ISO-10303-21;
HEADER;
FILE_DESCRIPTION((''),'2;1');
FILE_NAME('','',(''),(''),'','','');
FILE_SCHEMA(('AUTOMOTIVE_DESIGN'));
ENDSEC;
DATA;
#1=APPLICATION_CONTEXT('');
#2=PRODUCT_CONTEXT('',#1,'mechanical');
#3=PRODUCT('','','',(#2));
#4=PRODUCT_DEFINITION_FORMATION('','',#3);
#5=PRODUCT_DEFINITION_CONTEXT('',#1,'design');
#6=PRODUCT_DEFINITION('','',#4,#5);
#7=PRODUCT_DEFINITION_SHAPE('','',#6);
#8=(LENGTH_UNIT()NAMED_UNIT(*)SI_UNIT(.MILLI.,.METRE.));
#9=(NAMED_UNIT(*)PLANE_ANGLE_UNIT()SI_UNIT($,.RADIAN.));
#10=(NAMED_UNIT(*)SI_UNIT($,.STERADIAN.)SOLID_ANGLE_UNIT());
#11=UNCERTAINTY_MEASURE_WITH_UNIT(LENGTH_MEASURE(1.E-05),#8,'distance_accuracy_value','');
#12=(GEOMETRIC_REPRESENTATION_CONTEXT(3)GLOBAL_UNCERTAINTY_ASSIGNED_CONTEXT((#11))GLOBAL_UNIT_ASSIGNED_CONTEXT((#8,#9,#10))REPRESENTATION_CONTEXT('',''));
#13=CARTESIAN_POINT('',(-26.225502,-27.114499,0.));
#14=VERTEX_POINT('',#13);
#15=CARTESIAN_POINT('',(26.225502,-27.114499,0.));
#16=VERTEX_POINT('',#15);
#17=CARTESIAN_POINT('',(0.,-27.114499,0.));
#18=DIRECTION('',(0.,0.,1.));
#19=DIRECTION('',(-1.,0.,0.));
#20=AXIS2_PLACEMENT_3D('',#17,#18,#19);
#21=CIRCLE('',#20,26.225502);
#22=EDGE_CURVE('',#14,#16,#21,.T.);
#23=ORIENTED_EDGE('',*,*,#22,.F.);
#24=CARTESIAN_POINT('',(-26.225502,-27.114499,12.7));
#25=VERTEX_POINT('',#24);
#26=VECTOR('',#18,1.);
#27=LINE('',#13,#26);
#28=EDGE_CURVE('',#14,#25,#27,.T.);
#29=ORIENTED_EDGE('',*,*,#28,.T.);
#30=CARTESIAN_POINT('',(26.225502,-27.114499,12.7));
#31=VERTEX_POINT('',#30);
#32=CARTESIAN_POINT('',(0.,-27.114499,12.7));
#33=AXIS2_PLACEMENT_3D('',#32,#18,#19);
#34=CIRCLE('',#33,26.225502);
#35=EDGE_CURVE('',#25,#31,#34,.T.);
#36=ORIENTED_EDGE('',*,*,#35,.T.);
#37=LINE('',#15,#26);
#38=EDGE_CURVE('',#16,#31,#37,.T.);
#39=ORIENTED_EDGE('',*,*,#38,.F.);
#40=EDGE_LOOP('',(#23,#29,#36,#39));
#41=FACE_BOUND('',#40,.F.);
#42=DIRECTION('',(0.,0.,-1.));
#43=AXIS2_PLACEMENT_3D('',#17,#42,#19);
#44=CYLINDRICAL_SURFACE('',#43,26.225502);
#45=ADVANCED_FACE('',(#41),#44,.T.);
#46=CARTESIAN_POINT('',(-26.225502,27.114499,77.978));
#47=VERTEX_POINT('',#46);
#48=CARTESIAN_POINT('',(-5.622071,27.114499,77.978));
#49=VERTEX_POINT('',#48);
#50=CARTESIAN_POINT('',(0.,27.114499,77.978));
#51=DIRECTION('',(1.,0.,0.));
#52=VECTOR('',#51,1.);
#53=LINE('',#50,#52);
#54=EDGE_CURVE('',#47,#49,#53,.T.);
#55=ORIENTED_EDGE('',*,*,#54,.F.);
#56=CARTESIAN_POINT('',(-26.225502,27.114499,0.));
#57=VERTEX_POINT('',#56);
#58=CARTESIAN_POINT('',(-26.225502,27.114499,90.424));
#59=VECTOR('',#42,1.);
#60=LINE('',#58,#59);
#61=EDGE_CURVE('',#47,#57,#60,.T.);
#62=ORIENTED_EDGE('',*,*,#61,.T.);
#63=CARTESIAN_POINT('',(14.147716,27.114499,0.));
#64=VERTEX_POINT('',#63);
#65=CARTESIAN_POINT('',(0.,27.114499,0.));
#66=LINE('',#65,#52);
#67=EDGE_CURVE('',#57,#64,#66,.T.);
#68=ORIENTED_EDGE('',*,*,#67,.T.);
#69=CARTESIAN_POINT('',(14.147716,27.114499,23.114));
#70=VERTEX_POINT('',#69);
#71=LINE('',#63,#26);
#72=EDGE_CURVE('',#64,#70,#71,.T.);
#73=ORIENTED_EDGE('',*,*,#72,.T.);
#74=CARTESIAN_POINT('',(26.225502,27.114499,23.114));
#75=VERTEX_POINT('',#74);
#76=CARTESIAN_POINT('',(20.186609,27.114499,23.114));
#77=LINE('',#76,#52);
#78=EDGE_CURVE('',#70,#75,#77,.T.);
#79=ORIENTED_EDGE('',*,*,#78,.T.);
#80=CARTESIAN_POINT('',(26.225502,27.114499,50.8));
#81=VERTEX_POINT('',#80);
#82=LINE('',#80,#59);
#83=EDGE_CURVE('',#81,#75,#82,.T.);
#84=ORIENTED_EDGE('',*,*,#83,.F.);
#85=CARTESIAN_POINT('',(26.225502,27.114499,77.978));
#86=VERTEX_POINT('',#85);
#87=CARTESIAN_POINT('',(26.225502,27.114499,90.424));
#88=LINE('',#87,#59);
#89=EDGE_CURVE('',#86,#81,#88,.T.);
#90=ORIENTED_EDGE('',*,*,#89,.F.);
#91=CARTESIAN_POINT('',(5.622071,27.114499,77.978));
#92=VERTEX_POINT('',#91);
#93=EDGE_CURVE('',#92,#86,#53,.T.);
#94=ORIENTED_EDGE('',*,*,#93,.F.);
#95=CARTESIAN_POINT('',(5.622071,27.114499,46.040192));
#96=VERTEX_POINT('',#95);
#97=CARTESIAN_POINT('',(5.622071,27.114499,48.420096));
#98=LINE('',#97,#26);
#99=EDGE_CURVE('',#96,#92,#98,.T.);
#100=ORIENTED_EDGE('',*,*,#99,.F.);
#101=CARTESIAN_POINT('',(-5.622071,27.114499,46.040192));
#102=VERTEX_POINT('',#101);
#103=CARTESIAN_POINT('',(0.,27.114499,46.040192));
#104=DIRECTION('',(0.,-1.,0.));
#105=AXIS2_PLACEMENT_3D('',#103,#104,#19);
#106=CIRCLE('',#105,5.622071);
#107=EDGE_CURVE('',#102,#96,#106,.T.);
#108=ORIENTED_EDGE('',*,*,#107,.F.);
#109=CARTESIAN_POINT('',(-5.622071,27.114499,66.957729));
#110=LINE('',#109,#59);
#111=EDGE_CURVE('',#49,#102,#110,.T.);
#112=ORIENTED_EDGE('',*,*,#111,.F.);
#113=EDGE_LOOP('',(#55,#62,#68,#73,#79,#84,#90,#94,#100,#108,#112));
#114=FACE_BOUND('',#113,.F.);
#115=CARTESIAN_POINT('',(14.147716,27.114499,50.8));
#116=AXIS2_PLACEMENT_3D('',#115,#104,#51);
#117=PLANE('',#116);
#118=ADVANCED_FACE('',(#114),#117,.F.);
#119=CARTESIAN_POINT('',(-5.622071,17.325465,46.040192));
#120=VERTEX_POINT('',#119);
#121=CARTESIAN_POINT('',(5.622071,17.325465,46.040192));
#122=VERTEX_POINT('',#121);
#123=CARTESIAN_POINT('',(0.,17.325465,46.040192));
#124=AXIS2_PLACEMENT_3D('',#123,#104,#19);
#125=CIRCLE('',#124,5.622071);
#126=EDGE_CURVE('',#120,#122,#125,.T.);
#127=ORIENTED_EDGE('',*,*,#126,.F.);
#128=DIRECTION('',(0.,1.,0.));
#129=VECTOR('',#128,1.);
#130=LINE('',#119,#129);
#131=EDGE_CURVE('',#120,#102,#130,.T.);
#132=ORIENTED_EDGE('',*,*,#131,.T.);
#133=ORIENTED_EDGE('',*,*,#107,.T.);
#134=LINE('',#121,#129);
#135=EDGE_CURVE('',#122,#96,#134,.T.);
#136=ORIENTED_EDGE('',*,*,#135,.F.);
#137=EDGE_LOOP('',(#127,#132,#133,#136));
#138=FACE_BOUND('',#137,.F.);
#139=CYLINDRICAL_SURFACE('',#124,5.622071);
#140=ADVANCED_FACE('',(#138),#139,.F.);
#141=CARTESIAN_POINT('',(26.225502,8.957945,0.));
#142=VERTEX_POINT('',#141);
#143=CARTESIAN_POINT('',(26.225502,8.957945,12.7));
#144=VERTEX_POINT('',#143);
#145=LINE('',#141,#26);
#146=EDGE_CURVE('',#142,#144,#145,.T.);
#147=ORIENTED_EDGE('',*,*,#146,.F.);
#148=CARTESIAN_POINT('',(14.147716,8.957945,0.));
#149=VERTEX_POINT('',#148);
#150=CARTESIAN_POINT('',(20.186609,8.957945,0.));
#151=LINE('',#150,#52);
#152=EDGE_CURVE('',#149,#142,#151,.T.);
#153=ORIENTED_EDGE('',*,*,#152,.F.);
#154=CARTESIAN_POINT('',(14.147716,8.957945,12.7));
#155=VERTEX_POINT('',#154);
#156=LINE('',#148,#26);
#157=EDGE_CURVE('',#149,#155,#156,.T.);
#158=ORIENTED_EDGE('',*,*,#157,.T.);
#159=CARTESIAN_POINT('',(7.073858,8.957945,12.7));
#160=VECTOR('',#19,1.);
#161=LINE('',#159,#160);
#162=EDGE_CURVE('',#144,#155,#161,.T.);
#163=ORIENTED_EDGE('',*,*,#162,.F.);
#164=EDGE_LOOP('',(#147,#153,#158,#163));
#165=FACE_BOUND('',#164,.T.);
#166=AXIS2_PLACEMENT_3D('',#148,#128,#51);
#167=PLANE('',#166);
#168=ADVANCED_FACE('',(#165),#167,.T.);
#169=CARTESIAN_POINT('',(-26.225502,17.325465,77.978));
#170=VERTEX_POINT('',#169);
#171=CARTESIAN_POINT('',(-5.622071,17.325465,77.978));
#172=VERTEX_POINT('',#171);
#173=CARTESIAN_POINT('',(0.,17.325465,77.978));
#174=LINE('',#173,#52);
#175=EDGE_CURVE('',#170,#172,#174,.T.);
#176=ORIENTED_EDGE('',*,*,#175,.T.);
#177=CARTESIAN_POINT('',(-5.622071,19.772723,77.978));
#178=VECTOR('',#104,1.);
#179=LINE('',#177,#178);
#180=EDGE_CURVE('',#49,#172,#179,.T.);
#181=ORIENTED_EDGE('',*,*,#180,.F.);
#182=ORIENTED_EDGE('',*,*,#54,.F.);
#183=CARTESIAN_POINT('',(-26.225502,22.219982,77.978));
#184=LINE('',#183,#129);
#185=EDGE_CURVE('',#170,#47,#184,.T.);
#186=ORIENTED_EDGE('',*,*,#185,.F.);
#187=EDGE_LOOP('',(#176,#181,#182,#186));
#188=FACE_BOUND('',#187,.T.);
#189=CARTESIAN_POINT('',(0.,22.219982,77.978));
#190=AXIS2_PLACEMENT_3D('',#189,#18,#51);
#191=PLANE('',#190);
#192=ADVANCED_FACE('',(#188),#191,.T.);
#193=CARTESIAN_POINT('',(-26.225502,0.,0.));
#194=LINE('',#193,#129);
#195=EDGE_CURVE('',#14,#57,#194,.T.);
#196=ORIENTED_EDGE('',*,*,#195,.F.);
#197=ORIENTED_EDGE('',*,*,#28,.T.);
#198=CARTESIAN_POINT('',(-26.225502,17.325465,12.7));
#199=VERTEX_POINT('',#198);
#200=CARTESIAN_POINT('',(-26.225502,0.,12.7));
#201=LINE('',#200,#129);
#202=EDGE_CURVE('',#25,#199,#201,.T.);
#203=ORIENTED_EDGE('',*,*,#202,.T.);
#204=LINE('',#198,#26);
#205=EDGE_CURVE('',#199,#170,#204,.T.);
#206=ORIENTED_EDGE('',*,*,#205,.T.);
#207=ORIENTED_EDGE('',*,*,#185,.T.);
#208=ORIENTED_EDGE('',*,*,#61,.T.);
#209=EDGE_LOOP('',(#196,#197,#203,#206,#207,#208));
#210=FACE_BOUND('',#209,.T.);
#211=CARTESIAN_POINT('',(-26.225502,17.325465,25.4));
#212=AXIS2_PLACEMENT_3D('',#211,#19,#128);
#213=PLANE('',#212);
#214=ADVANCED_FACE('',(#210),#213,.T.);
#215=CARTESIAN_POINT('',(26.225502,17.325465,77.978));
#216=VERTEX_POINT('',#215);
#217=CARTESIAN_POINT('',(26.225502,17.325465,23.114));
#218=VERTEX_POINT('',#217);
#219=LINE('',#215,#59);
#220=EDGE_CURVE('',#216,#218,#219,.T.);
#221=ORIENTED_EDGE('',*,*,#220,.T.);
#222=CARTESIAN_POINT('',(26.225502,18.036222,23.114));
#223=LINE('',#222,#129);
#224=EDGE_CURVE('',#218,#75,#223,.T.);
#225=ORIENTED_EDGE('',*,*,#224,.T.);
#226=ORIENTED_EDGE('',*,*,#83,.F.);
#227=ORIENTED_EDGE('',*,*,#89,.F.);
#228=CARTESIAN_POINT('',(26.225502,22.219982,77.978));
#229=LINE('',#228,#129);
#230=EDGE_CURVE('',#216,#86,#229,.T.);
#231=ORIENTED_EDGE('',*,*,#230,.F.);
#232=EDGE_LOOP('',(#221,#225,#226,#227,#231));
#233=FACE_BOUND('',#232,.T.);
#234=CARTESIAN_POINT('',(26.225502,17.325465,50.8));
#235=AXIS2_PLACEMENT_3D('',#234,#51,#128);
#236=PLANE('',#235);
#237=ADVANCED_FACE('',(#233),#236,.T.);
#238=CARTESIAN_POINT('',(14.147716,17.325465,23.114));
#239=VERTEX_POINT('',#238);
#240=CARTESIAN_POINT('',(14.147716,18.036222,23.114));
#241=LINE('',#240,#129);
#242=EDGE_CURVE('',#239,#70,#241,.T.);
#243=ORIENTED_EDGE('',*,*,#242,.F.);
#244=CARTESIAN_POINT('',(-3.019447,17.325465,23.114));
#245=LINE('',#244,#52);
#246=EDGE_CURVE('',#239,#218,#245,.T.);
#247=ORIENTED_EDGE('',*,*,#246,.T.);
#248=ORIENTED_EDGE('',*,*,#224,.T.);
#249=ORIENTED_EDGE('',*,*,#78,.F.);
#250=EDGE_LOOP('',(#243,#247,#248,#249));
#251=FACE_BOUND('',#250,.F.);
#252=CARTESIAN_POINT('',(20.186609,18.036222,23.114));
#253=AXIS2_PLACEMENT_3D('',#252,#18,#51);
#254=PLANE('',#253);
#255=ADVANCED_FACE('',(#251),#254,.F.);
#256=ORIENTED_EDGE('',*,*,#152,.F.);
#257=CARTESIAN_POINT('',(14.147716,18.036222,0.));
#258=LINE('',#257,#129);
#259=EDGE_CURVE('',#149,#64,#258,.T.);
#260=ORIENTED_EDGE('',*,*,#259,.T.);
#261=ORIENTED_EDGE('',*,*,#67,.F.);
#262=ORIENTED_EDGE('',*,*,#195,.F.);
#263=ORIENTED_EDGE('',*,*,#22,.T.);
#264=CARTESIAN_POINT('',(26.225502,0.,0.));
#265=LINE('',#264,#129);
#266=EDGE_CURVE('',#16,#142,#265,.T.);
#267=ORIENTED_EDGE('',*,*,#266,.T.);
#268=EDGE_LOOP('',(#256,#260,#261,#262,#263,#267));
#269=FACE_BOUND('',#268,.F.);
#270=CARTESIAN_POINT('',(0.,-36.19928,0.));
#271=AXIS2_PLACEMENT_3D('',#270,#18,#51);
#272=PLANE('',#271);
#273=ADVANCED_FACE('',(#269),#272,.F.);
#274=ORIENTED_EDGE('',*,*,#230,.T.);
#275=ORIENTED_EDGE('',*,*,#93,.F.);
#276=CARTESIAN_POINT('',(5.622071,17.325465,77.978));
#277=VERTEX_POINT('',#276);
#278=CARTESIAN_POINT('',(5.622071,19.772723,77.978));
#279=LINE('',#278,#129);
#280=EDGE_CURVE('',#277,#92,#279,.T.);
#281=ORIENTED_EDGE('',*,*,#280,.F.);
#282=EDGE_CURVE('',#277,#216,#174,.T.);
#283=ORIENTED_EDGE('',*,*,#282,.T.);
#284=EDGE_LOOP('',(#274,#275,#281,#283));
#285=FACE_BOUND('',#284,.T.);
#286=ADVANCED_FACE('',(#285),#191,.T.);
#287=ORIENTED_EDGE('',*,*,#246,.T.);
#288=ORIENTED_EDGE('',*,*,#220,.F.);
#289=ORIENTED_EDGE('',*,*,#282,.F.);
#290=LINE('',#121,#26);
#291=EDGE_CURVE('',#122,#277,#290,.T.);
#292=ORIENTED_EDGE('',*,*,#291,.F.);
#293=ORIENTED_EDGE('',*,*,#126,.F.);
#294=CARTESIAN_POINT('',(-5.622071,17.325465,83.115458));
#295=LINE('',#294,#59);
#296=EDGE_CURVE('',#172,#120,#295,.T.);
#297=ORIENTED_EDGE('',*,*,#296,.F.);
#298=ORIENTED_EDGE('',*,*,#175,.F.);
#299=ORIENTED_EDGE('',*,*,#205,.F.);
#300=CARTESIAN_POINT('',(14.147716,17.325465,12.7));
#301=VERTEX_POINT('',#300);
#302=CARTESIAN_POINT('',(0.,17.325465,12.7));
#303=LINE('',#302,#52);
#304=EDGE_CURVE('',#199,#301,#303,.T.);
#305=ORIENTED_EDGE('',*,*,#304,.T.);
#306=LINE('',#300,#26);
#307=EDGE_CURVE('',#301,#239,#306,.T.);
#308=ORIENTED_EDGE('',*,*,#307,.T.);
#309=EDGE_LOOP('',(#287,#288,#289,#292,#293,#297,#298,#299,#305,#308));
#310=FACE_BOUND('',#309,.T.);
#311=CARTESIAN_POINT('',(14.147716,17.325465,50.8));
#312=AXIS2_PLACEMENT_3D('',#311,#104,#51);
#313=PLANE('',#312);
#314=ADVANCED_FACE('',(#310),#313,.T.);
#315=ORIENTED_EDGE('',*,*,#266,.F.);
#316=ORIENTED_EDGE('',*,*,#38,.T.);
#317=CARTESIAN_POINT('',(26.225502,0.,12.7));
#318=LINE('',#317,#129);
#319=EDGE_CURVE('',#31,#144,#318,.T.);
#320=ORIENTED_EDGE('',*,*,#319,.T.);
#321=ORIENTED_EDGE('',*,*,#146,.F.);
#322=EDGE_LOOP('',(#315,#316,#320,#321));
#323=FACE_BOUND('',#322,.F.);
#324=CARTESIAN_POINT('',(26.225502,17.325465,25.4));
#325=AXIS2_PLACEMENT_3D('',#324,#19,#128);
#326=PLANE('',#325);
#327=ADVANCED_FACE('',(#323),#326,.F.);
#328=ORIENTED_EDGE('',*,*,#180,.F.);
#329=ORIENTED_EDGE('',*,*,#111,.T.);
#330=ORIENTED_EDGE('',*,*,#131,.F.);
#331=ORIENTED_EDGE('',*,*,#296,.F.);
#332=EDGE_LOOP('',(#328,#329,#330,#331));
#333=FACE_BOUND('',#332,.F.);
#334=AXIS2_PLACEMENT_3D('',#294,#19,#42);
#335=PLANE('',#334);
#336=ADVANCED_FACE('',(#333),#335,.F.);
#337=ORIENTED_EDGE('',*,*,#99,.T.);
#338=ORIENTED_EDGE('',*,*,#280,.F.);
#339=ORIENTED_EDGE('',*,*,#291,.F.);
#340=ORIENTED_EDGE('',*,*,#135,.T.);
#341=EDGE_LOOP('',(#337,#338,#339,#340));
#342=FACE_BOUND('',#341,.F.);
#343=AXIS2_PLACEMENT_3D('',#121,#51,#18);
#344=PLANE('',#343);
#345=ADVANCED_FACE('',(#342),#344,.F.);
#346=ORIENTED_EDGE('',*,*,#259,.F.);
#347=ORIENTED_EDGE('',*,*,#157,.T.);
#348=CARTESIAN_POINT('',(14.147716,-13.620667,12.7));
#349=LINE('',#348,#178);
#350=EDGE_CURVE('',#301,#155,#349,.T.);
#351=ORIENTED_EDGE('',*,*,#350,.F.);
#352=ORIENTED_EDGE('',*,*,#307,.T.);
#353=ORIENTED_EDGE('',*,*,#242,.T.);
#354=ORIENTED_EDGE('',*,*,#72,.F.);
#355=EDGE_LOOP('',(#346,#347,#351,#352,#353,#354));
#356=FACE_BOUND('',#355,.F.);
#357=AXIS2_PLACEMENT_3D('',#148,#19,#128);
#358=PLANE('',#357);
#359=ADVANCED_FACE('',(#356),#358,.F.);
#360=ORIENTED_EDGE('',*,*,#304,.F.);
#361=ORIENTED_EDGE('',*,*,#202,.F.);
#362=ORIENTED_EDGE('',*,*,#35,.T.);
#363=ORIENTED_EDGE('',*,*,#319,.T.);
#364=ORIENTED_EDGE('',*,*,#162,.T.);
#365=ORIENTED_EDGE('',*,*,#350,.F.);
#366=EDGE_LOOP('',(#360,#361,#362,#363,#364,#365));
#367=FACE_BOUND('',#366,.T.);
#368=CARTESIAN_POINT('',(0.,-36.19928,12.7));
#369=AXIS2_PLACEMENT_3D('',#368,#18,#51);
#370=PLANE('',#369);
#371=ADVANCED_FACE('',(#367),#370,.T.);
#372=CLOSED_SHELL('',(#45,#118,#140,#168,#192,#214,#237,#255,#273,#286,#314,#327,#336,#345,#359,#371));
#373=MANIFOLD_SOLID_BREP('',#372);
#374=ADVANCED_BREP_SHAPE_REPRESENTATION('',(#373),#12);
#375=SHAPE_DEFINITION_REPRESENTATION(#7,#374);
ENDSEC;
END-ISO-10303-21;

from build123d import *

# Parameters (mm, degrees)
F0_W      = 52.4510033429
F0_H      = 54.2289987206
F2_DEPTH  = 25.4
F3_W      = 52.4510033429
F3_H      = 9.7890347242
F4_DEPTH  = 65.024
F5_W      = 12.0777860284
F5_H      = 18.1565545499
F6_DEPTH  = 50.8
F7_DEPTH  = 12.7
F8_DEPTH  = 12.446
F9_DEPTH  = 27.686
F10_W     = 11.244142428
F10_H     = 31.9378077536
F10_H_2   = 5.1374584885
F11_DEPTH = 65.278


with BuildPart() as f2:
    # F0 (on Top) → F2 (new body)
    with BuildSketch(Plane.XY):
        with BuildLine():
            ThreePointArc((-26.2255016714, -27.1144993603), (0, -53.3400010318), (26.2255016714, -27.1144993603))
            Line((26.2255016714, -27.1144993603), (-26.2255016714, -27.1144993603))
        make_face()
        Rectangle(F0_W, F0_H)
    extrude(amount=F2_DEPTH)

    # F3 (on face) → F4 (join)
    with BuildSketch(Plane.XY.offset(25.4)):
        with Locations((0, 22.2199819982)):
            Rectangle(F3_W, F3_H)
    extrude(amount=F4_DEPTH)

    # F5 (on face) → F6 (cut)
    with BuildSketch(Plane.XY):
        with Locations((20.1866086572, 18.0362220854)):
            Rectangle(F5_W, F5_H)
    extrude(amount=F6_DEPTH, mode=Mode.SUBTRACT)

    # F7 (cut): a face of the model
    f7_faces = [f2.faces().sort_by_distance(p)[0] for p in [
        (-0.6162983013, -16.3297638345, 25.4),
    ]]
    extrude(f7_faces, amount=-F7_DEPTH, mode=Mode.SUBTRACT)

    # F8 (cut): a face of the model
    f8_faces = [f2.faces().sort_by_distance(p)[0] for p in [
        (0, 22.2199819982, 90.424),
    ]]
    extrude(f8_faces, amount=-F8_DEPTH, mode=Mode.SUBTRACT)

    # F9 (add): a face of the model
    f9_faces = [f2.faces().sort_by_distance(p)[0] for p in [
        (20.1866086572, 22.2199819982, 50.8),
    ]]
    extrude(f9_faces, amount=F9_DEPTH)

    # F10 (on face) → F11 (cut)
    with BuildSketch(Plane.XZ.offset(-17.3254646361)):
        with Locations((0, 62.0090961232)):
            Rectangle(F10_W, F10_H)
        with BuildLine():
            ThreePointArc((-5.622071214, 46.0401922464), (0, 40.4181210324), (5.622071214, 46.0401922464))
            Line((5.622071214, 46.0401922464), (-5.622071214, 46.0401922464))
        make_face()
        with Locations((0, 80.5467292442)):
            Rectangle(F10_W, F10_H_2)
    extrude(amount=-F11_DEPTH, mode=Mode.SUBTRACT)


solid = f2.part
